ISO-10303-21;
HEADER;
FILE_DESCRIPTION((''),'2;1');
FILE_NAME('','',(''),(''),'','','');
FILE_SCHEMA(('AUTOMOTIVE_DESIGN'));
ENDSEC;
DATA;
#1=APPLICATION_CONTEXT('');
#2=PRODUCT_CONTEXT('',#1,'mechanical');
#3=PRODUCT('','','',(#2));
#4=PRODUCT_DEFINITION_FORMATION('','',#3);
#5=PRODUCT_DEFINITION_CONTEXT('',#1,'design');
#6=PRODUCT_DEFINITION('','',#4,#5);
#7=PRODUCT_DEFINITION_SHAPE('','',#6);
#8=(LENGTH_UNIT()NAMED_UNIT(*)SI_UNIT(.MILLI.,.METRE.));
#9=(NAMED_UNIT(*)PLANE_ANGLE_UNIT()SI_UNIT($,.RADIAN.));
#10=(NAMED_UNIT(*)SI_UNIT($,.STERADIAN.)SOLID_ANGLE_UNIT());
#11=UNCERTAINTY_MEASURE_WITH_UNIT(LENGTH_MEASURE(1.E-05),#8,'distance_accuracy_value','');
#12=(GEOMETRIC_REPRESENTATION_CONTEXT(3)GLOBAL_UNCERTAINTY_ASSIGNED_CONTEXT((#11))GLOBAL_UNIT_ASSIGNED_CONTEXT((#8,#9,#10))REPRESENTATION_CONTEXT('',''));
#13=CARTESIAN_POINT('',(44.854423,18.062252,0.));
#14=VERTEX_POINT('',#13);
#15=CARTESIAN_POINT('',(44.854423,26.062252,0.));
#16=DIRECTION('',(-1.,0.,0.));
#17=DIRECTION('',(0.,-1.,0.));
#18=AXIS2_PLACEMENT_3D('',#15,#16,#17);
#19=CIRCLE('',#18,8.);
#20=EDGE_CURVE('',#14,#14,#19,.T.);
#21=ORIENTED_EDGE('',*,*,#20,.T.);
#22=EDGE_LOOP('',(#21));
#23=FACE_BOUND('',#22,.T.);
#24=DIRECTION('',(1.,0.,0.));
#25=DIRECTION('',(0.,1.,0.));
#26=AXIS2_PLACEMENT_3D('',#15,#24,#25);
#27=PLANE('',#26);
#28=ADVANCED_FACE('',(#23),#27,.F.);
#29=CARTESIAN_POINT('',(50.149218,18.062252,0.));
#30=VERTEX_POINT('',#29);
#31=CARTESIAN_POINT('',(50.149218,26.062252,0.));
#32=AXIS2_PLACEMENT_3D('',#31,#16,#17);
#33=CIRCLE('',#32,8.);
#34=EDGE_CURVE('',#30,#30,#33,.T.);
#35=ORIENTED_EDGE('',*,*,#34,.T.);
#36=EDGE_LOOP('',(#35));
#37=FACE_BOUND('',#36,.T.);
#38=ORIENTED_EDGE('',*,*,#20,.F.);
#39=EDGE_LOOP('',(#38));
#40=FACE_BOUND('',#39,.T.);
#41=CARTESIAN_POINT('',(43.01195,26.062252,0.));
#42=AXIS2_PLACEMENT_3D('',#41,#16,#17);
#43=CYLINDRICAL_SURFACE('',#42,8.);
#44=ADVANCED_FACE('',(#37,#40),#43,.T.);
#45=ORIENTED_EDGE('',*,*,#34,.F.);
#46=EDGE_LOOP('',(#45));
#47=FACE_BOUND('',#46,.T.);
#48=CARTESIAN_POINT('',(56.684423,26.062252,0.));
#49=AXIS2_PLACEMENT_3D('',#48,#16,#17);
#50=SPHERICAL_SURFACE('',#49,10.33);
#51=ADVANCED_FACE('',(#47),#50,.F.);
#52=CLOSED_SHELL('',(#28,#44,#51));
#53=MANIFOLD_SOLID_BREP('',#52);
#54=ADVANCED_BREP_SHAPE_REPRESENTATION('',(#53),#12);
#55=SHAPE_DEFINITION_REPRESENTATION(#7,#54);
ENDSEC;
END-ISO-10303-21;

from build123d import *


with BuildPart() as part:
    # 草图1 → 旋转1 (revolve)
    with BuildSketch(Plane.XY, mode=Mode.PRIVATE) as revolve_1_sk:
        with BuildLine():
            Line((44.854422626, 26.062252183), (44.854422626, 34.062252183))
            Line((44.854422626, 34.062252183), (50.149217962, 34.062252183))
            ThreePointArc((50.149217962, 34.062252183), (47.351214063, 30.489454224), (46.354422626, 26.062252183))
            Line((46.354422626, 26.062252183), (44.854422626, 26.062252183))
        make_face()
    revolve(revolve_1_sk.sketch.rotate(Axis((43.011950236, 26.062252183, 0), (1, 0, 0)), 180), axis=Axis((43.011950236, 26.062252183, 0), (1, 0, 0)))  # turned: the seam where the file's is


solid = part.part
